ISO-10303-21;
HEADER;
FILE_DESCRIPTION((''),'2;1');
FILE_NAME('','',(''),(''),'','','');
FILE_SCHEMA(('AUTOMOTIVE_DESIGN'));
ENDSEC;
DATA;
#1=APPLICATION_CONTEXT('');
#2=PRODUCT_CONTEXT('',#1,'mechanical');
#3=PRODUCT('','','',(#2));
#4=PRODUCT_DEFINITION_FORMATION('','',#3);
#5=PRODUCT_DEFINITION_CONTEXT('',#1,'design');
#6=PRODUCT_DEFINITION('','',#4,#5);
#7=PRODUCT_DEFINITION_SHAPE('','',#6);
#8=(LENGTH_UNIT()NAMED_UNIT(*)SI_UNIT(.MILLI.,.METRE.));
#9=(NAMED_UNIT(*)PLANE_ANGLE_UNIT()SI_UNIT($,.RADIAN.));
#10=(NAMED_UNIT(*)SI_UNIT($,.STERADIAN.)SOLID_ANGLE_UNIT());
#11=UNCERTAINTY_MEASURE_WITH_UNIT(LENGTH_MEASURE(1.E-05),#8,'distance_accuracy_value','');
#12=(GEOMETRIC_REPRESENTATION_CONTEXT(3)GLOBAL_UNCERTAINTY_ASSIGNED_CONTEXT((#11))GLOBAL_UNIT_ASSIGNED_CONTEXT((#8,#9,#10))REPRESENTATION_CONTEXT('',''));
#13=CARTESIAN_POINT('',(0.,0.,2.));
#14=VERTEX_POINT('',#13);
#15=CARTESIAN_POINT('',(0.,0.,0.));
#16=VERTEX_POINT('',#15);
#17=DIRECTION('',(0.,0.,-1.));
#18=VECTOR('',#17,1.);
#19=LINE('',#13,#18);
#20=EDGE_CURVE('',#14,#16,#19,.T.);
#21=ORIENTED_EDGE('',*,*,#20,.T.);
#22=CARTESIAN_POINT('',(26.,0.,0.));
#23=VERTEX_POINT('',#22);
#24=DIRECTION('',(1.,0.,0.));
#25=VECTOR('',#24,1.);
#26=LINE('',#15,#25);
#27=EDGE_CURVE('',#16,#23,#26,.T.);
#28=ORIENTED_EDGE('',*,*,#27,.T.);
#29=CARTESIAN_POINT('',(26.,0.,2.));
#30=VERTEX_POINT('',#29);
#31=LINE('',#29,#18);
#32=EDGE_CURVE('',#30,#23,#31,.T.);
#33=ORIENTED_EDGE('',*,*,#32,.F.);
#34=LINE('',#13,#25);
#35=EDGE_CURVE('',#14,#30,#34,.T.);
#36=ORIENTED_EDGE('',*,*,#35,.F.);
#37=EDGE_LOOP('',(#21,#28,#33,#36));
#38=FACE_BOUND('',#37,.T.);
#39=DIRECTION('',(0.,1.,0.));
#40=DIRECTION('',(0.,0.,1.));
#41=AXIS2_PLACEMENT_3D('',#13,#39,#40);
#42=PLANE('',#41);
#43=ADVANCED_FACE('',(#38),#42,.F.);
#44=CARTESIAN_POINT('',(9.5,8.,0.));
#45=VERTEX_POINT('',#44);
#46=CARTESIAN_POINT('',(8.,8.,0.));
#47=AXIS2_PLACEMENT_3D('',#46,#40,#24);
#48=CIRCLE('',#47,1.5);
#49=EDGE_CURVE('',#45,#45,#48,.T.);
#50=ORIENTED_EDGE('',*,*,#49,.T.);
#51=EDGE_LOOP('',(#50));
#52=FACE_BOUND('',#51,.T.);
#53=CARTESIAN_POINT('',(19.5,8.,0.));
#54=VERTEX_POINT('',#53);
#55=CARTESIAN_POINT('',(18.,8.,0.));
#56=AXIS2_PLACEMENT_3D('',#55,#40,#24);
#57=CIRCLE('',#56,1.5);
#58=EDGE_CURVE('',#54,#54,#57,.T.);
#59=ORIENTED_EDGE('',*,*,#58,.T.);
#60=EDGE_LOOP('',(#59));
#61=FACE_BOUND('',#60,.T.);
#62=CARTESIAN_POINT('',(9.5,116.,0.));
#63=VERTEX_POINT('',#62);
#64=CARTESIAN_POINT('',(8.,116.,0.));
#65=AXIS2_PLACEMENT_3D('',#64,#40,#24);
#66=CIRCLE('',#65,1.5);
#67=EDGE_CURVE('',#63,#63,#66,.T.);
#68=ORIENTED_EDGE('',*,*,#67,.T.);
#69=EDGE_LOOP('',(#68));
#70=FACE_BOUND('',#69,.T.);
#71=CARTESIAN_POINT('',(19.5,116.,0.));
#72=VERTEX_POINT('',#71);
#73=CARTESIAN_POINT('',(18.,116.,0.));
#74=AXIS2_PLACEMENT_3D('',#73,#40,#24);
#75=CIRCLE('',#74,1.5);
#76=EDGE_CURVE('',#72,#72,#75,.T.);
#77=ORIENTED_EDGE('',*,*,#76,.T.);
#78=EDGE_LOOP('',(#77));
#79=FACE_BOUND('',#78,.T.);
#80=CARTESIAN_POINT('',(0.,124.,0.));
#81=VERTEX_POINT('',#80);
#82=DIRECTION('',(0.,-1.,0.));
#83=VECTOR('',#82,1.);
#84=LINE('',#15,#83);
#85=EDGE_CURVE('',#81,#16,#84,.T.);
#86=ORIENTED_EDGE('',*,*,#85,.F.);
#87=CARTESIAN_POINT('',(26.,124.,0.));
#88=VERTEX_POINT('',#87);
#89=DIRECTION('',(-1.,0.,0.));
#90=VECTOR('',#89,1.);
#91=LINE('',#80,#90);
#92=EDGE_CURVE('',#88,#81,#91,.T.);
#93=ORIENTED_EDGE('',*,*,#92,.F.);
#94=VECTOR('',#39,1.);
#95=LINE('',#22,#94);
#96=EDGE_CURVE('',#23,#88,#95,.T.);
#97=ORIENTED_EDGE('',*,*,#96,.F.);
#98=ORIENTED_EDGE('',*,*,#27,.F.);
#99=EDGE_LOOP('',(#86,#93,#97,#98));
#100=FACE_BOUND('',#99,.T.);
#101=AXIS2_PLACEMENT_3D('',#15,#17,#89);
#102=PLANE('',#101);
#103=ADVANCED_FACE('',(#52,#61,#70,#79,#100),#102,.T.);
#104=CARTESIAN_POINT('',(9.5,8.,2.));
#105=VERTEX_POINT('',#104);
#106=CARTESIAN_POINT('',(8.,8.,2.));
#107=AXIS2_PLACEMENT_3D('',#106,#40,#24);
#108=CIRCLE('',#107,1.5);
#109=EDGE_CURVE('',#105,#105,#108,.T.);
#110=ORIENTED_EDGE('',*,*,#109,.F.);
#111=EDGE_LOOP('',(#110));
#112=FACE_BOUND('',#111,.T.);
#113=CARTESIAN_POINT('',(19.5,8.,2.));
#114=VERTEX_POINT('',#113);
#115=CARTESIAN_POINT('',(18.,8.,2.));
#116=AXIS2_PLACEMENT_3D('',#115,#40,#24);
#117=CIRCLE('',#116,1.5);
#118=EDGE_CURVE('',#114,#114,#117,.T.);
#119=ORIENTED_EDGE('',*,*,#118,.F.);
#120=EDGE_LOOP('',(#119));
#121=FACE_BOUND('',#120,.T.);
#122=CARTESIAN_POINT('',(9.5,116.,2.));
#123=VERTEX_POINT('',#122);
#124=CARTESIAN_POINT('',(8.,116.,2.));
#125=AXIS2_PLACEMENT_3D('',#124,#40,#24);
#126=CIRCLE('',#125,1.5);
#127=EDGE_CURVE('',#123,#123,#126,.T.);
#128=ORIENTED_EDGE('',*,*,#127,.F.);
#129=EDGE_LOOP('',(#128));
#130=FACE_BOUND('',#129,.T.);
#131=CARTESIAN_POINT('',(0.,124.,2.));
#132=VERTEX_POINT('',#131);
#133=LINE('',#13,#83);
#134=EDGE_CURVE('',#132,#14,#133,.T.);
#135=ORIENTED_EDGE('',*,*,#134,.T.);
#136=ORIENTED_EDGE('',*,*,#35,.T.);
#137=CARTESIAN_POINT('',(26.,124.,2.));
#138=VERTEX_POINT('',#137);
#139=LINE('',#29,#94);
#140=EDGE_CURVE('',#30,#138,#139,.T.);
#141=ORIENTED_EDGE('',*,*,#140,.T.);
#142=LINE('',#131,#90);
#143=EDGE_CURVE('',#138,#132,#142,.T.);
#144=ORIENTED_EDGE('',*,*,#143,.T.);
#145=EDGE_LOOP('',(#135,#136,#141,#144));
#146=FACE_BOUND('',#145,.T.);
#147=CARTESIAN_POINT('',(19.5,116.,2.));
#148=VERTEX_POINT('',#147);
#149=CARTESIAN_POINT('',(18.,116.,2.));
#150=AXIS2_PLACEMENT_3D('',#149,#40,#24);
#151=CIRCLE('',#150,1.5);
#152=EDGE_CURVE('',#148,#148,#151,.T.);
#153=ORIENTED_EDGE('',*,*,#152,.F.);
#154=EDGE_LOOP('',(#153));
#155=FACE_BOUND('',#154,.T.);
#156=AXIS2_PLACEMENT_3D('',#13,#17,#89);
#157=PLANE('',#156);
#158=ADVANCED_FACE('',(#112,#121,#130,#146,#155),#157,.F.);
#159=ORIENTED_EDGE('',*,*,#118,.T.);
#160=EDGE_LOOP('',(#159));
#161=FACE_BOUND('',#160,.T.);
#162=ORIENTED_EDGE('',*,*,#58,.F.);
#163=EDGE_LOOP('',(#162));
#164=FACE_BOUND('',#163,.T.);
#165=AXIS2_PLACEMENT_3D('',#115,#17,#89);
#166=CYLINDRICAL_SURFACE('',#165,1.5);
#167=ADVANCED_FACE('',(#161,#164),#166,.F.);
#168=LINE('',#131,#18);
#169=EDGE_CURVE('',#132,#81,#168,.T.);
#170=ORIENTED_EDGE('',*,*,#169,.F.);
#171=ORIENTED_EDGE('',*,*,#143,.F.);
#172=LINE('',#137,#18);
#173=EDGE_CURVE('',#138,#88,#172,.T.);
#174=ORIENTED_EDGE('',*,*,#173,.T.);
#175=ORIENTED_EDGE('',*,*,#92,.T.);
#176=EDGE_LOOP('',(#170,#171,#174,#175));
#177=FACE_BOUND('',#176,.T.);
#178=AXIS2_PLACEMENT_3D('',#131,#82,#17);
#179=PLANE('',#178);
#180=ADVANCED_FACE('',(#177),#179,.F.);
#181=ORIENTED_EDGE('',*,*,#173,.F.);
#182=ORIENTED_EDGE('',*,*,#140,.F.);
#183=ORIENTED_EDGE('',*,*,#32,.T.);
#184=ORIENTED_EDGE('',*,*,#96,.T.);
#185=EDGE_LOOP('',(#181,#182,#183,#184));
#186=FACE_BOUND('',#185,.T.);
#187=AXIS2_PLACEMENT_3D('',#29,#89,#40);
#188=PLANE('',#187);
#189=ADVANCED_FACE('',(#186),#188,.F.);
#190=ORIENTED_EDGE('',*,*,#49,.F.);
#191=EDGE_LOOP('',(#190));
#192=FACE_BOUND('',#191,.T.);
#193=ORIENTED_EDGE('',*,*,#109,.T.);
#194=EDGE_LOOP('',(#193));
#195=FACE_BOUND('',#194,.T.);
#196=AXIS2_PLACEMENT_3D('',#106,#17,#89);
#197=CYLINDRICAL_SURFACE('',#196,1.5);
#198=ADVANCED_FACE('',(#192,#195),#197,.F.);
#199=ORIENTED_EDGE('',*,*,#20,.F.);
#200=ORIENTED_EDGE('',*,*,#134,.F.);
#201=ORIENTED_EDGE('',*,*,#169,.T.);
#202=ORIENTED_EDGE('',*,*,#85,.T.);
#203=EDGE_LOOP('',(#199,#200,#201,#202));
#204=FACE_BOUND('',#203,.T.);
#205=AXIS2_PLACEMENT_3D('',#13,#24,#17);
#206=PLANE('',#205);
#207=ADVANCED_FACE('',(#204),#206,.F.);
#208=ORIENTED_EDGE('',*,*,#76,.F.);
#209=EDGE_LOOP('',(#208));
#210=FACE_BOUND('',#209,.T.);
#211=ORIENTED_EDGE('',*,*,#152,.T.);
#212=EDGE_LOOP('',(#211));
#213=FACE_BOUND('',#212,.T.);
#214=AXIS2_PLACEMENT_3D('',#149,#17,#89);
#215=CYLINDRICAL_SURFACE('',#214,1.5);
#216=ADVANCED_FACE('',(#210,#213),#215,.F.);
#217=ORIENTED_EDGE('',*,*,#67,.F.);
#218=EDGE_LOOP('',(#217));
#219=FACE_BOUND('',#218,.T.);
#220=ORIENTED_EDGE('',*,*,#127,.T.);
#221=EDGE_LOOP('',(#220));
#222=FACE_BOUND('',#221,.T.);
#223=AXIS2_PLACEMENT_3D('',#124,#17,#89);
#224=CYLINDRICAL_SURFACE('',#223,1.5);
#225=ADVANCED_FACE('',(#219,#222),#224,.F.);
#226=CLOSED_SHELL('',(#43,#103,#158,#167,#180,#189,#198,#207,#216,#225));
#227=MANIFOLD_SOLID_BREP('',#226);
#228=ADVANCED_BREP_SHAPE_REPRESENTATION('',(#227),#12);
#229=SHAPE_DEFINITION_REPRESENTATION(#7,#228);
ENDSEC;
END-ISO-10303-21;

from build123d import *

# Parameters (mm, degrees)
SKETCH_1_W      = 26
SKETCH_1_H      = 124
SKETCH_1_R      = 1.5
EXTRUDE_1_DEPTH = 2


with BuildPart() as part:
    # Эскиз1 → Бобышка-Вытянуть1 (new body)
    with BuildSketch(Plane.XY):
        with Locations((13, 62)):
            Rectangle(SKETCH_1_W, SKETCH_1_H)
        with Locations((8, 8)):
            Circle(SKETCH_1_R, mode=Mode.SUBTRACT)
        with Locations((18, 8)):
            Circle(SKETCH_1_R, mode=Mode.SUBTRACT)
        with Locations((18, 116)):
            Circle(SKETCH_1_R, mode=Mode.SUBTRACT)
        with Locations((8, 116)):
            Circle(SKETCH_1_R, mode=Mode.SUBTRACT)
    extrude(amount=EXTRUDE_1_DEPTH)


solid = part.part
